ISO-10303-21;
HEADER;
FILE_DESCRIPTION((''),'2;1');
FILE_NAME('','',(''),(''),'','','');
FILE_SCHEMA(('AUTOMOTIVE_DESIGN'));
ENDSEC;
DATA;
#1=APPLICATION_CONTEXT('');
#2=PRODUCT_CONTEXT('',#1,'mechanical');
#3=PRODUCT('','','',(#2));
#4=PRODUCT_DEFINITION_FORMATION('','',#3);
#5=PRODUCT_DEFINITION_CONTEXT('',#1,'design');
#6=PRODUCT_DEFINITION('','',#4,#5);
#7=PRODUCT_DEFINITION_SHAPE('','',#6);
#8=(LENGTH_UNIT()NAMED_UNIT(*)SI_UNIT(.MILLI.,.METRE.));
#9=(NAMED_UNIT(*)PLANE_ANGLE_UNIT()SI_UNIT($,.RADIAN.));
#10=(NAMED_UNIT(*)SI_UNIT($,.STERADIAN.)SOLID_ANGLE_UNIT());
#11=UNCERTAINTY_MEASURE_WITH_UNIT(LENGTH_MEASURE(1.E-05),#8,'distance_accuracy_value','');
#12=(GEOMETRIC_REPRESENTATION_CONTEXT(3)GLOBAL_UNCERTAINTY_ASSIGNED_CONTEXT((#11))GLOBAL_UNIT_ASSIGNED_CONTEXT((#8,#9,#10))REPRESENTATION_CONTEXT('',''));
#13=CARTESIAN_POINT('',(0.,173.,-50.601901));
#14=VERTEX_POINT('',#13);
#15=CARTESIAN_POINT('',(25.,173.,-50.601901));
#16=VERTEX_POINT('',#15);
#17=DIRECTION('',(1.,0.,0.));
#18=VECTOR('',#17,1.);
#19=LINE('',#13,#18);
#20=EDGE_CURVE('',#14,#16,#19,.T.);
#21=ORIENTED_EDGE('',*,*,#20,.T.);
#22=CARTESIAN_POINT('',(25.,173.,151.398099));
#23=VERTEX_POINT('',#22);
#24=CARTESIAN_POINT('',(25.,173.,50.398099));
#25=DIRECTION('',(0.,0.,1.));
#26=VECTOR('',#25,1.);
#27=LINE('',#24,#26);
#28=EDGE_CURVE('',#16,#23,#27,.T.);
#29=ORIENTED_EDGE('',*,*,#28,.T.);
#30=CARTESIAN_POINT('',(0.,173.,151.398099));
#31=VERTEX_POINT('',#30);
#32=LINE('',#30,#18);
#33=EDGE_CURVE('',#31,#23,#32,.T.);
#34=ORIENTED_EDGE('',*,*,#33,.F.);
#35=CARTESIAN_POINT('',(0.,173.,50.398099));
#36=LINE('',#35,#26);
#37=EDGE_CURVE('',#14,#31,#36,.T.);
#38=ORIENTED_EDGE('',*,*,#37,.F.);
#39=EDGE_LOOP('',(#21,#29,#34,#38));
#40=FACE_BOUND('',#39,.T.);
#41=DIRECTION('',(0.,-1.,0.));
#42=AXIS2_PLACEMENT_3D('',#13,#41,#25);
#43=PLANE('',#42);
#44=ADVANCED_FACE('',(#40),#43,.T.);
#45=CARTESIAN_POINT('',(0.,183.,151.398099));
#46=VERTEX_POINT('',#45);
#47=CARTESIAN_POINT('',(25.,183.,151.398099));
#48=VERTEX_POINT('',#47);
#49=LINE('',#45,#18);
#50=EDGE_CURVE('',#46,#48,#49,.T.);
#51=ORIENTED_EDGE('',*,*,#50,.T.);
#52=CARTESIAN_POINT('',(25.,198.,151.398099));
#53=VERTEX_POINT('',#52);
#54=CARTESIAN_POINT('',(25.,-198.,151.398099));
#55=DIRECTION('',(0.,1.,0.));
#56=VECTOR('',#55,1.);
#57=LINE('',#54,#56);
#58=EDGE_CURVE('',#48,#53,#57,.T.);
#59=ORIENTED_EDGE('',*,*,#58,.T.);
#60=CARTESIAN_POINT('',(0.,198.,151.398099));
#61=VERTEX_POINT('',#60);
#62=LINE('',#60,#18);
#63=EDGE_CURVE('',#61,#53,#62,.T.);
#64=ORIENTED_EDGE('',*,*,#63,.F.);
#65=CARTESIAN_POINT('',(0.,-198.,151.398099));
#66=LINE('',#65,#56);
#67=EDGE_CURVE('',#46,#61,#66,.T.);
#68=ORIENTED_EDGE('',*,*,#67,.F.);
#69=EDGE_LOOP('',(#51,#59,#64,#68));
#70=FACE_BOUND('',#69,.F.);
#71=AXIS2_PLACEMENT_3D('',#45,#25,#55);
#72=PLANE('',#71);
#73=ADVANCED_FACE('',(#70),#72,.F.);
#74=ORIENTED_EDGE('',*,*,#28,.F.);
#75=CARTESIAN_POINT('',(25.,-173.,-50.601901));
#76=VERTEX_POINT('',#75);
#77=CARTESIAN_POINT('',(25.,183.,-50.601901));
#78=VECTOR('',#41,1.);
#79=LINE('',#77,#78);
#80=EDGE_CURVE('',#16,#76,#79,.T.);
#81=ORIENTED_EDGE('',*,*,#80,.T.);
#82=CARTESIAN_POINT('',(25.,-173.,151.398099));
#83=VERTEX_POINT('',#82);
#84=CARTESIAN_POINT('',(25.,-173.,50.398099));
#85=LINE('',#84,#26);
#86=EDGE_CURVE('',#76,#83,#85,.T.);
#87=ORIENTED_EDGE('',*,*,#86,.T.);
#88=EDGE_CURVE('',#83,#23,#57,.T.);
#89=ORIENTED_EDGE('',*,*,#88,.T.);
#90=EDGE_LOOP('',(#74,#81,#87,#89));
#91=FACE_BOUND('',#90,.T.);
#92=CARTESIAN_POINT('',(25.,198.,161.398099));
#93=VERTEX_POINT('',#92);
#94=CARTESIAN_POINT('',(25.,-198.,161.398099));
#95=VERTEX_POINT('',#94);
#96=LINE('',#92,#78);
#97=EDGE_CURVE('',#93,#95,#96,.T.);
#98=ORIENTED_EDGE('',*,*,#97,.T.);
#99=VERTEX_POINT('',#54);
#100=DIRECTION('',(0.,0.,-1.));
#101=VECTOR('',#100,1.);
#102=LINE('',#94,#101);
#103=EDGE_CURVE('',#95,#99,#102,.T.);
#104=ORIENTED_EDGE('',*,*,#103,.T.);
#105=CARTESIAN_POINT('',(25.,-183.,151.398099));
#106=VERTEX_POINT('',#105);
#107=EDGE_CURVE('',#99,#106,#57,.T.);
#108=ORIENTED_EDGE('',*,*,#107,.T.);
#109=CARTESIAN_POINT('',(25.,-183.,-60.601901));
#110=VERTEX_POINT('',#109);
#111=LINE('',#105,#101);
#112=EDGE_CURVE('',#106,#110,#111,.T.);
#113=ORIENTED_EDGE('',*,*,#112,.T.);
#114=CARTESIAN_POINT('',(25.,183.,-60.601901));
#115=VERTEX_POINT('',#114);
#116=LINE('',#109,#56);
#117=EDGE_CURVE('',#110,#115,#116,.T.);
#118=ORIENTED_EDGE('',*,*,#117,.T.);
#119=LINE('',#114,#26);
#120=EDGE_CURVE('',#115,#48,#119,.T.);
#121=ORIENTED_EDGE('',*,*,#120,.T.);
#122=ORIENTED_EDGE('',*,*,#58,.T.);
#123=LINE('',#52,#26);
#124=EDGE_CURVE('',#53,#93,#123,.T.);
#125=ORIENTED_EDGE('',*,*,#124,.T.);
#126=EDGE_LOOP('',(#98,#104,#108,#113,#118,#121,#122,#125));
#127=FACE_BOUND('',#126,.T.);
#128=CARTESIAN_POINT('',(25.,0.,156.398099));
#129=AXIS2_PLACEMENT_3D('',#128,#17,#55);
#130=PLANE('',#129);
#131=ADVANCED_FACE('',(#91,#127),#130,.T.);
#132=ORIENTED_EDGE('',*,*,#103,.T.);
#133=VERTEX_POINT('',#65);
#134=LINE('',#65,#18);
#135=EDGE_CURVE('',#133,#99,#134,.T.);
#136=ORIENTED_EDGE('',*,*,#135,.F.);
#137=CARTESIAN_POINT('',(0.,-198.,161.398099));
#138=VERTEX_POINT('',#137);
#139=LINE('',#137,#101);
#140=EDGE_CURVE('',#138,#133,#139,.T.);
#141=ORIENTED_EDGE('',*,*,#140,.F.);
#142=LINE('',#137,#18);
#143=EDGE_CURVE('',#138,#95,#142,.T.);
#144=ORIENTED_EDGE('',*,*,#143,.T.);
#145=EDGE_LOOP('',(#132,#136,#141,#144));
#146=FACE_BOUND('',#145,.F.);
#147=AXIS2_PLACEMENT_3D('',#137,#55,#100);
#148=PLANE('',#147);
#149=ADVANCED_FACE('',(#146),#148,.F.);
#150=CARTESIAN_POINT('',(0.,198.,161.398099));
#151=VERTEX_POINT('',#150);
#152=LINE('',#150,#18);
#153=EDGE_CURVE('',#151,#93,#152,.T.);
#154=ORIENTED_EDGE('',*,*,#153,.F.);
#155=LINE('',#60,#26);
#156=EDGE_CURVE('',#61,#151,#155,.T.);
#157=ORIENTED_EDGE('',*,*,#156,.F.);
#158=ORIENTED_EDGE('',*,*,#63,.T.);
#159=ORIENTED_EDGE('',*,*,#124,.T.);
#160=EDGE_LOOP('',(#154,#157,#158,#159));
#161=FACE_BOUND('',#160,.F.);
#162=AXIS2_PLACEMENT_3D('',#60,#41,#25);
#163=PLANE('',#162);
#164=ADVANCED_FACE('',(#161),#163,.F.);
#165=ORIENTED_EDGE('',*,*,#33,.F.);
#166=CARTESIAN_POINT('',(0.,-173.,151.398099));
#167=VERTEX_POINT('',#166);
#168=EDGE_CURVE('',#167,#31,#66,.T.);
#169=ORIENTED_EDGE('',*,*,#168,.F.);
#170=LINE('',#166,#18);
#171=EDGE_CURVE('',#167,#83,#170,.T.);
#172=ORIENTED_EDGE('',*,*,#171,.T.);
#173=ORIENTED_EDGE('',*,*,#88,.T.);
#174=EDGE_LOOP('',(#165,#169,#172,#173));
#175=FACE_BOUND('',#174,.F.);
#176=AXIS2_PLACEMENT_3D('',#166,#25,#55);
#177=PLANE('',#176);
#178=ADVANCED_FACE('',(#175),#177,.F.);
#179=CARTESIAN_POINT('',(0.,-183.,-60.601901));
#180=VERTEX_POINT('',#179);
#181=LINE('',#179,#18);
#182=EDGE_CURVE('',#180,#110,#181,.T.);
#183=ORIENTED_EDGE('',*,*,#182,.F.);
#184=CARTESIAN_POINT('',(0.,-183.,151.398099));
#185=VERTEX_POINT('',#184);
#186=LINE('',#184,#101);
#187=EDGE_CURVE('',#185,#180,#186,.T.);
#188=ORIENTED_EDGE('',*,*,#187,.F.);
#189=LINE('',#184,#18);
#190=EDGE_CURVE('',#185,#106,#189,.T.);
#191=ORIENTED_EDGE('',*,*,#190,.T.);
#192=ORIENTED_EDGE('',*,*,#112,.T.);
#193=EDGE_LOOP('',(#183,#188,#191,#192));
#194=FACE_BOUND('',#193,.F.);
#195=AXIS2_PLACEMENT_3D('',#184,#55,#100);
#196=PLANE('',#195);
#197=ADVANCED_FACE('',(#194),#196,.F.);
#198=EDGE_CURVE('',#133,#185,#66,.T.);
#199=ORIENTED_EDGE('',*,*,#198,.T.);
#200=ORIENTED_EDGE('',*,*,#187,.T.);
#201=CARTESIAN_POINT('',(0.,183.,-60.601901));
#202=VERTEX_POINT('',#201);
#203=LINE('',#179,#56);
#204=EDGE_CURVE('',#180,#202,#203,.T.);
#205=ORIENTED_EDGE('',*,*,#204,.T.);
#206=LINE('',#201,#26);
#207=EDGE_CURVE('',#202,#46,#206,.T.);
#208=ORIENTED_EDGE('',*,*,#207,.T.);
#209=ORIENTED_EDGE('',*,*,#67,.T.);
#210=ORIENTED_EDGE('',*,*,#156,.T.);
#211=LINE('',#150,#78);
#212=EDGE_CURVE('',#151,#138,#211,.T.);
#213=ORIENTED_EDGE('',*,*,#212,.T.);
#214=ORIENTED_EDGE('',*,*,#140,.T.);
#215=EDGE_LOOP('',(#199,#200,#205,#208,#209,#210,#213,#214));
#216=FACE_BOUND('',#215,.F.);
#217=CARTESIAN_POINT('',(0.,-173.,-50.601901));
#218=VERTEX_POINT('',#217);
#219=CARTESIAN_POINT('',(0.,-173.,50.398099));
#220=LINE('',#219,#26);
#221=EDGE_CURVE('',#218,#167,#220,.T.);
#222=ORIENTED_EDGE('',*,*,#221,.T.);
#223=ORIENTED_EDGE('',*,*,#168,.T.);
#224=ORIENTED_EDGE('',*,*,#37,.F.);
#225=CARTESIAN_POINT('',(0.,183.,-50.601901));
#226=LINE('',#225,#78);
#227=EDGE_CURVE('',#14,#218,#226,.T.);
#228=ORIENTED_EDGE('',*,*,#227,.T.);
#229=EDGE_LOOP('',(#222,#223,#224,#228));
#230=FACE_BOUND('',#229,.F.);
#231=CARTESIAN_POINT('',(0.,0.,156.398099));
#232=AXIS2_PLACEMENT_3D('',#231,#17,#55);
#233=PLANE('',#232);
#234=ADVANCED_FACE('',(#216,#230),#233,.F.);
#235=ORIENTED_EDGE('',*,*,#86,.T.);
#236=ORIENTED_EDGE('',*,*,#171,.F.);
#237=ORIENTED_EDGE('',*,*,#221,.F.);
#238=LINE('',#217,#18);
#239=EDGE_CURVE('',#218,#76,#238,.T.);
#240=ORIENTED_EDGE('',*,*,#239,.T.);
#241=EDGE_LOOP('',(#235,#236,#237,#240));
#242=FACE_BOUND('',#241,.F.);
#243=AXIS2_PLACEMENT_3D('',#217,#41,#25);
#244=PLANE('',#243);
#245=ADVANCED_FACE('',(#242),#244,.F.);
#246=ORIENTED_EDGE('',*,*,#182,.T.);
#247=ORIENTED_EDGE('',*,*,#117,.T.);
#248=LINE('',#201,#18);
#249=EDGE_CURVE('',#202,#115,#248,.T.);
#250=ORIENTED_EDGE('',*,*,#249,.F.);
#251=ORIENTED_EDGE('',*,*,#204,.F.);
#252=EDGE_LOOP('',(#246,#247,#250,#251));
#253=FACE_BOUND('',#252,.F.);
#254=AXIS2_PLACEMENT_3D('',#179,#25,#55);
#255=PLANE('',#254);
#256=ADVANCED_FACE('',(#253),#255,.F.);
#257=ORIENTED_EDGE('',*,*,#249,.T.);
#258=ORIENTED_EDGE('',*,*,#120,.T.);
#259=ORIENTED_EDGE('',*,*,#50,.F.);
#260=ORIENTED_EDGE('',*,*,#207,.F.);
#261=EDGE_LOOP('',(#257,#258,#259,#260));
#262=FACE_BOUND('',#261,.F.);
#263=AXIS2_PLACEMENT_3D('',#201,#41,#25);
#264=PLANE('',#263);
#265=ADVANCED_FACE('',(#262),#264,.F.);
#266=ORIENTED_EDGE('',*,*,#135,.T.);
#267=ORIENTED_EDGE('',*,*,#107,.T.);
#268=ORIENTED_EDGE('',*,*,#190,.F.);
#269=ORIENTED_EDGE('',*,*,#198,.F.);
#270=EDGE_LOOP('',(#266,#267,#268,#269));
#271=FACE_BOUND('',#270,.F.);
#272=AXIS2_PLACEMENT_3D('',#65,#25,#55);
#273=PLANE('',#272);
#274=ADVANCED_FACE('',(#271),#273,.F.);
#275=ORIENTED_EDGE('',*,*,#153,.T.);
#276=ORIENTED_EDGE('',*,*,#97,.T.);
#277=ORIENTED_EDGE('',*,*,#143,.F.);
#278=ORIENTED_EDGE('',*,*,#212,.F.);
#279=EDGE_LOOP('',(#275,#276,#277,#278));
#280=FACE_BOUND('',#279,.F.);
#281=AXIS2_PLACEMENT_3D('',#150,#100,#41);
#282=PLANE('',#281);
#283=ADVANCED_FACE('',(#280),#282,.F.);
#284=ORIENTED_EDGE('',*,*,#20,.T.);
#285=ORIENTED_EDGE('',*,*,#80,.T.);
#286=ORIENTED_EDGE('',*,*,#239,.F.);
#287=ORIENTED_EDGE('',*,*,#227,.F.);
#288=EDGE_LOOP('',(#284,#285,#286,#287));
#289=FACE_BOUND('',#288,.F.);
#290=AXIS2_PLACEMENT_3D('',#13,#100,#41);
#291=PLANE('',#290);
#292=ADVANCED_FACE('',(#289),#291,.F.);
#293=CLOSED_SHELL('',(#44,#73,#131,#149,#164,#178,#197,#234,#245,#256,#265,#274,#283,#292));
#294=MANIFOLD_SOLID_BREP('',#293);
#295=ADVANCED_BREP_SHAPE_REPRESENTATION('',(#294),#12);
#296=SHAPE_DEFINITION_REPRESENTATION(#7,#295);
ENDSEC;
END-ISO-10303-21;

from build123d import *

# Parameters (mm, degrees)
F0_W     = 10
F0_H     = 202
F1_DEPTH = 25


with BuildPart() as f1:
    # F0 (on Right) → F1 (new body)
    with BuildSketch(Plane.YZ):
        Polygon((183, 151.398099), (198, 151.398099), (198, 161.398099), (-198, 161.398099), (-198, 151.398099), (-183, 151.398099), (-173, 151.398099), (173, 151.398099), align=None)
        with Locations((-178, 50.398099)):
            Rectangle(F0_W, F0_H)
        Polygon((183, -60.601901), (183, -50.601901), (173, -50.601901), (-173, -50.601901), (-183, -50.601901), (-183, -60.601901), align=None)
        with Locations((178, 50.398099)):
            Rectangle(F0_W, F0_H)
    extrude(amount=F1_DEPTH)


solid = f1.part
